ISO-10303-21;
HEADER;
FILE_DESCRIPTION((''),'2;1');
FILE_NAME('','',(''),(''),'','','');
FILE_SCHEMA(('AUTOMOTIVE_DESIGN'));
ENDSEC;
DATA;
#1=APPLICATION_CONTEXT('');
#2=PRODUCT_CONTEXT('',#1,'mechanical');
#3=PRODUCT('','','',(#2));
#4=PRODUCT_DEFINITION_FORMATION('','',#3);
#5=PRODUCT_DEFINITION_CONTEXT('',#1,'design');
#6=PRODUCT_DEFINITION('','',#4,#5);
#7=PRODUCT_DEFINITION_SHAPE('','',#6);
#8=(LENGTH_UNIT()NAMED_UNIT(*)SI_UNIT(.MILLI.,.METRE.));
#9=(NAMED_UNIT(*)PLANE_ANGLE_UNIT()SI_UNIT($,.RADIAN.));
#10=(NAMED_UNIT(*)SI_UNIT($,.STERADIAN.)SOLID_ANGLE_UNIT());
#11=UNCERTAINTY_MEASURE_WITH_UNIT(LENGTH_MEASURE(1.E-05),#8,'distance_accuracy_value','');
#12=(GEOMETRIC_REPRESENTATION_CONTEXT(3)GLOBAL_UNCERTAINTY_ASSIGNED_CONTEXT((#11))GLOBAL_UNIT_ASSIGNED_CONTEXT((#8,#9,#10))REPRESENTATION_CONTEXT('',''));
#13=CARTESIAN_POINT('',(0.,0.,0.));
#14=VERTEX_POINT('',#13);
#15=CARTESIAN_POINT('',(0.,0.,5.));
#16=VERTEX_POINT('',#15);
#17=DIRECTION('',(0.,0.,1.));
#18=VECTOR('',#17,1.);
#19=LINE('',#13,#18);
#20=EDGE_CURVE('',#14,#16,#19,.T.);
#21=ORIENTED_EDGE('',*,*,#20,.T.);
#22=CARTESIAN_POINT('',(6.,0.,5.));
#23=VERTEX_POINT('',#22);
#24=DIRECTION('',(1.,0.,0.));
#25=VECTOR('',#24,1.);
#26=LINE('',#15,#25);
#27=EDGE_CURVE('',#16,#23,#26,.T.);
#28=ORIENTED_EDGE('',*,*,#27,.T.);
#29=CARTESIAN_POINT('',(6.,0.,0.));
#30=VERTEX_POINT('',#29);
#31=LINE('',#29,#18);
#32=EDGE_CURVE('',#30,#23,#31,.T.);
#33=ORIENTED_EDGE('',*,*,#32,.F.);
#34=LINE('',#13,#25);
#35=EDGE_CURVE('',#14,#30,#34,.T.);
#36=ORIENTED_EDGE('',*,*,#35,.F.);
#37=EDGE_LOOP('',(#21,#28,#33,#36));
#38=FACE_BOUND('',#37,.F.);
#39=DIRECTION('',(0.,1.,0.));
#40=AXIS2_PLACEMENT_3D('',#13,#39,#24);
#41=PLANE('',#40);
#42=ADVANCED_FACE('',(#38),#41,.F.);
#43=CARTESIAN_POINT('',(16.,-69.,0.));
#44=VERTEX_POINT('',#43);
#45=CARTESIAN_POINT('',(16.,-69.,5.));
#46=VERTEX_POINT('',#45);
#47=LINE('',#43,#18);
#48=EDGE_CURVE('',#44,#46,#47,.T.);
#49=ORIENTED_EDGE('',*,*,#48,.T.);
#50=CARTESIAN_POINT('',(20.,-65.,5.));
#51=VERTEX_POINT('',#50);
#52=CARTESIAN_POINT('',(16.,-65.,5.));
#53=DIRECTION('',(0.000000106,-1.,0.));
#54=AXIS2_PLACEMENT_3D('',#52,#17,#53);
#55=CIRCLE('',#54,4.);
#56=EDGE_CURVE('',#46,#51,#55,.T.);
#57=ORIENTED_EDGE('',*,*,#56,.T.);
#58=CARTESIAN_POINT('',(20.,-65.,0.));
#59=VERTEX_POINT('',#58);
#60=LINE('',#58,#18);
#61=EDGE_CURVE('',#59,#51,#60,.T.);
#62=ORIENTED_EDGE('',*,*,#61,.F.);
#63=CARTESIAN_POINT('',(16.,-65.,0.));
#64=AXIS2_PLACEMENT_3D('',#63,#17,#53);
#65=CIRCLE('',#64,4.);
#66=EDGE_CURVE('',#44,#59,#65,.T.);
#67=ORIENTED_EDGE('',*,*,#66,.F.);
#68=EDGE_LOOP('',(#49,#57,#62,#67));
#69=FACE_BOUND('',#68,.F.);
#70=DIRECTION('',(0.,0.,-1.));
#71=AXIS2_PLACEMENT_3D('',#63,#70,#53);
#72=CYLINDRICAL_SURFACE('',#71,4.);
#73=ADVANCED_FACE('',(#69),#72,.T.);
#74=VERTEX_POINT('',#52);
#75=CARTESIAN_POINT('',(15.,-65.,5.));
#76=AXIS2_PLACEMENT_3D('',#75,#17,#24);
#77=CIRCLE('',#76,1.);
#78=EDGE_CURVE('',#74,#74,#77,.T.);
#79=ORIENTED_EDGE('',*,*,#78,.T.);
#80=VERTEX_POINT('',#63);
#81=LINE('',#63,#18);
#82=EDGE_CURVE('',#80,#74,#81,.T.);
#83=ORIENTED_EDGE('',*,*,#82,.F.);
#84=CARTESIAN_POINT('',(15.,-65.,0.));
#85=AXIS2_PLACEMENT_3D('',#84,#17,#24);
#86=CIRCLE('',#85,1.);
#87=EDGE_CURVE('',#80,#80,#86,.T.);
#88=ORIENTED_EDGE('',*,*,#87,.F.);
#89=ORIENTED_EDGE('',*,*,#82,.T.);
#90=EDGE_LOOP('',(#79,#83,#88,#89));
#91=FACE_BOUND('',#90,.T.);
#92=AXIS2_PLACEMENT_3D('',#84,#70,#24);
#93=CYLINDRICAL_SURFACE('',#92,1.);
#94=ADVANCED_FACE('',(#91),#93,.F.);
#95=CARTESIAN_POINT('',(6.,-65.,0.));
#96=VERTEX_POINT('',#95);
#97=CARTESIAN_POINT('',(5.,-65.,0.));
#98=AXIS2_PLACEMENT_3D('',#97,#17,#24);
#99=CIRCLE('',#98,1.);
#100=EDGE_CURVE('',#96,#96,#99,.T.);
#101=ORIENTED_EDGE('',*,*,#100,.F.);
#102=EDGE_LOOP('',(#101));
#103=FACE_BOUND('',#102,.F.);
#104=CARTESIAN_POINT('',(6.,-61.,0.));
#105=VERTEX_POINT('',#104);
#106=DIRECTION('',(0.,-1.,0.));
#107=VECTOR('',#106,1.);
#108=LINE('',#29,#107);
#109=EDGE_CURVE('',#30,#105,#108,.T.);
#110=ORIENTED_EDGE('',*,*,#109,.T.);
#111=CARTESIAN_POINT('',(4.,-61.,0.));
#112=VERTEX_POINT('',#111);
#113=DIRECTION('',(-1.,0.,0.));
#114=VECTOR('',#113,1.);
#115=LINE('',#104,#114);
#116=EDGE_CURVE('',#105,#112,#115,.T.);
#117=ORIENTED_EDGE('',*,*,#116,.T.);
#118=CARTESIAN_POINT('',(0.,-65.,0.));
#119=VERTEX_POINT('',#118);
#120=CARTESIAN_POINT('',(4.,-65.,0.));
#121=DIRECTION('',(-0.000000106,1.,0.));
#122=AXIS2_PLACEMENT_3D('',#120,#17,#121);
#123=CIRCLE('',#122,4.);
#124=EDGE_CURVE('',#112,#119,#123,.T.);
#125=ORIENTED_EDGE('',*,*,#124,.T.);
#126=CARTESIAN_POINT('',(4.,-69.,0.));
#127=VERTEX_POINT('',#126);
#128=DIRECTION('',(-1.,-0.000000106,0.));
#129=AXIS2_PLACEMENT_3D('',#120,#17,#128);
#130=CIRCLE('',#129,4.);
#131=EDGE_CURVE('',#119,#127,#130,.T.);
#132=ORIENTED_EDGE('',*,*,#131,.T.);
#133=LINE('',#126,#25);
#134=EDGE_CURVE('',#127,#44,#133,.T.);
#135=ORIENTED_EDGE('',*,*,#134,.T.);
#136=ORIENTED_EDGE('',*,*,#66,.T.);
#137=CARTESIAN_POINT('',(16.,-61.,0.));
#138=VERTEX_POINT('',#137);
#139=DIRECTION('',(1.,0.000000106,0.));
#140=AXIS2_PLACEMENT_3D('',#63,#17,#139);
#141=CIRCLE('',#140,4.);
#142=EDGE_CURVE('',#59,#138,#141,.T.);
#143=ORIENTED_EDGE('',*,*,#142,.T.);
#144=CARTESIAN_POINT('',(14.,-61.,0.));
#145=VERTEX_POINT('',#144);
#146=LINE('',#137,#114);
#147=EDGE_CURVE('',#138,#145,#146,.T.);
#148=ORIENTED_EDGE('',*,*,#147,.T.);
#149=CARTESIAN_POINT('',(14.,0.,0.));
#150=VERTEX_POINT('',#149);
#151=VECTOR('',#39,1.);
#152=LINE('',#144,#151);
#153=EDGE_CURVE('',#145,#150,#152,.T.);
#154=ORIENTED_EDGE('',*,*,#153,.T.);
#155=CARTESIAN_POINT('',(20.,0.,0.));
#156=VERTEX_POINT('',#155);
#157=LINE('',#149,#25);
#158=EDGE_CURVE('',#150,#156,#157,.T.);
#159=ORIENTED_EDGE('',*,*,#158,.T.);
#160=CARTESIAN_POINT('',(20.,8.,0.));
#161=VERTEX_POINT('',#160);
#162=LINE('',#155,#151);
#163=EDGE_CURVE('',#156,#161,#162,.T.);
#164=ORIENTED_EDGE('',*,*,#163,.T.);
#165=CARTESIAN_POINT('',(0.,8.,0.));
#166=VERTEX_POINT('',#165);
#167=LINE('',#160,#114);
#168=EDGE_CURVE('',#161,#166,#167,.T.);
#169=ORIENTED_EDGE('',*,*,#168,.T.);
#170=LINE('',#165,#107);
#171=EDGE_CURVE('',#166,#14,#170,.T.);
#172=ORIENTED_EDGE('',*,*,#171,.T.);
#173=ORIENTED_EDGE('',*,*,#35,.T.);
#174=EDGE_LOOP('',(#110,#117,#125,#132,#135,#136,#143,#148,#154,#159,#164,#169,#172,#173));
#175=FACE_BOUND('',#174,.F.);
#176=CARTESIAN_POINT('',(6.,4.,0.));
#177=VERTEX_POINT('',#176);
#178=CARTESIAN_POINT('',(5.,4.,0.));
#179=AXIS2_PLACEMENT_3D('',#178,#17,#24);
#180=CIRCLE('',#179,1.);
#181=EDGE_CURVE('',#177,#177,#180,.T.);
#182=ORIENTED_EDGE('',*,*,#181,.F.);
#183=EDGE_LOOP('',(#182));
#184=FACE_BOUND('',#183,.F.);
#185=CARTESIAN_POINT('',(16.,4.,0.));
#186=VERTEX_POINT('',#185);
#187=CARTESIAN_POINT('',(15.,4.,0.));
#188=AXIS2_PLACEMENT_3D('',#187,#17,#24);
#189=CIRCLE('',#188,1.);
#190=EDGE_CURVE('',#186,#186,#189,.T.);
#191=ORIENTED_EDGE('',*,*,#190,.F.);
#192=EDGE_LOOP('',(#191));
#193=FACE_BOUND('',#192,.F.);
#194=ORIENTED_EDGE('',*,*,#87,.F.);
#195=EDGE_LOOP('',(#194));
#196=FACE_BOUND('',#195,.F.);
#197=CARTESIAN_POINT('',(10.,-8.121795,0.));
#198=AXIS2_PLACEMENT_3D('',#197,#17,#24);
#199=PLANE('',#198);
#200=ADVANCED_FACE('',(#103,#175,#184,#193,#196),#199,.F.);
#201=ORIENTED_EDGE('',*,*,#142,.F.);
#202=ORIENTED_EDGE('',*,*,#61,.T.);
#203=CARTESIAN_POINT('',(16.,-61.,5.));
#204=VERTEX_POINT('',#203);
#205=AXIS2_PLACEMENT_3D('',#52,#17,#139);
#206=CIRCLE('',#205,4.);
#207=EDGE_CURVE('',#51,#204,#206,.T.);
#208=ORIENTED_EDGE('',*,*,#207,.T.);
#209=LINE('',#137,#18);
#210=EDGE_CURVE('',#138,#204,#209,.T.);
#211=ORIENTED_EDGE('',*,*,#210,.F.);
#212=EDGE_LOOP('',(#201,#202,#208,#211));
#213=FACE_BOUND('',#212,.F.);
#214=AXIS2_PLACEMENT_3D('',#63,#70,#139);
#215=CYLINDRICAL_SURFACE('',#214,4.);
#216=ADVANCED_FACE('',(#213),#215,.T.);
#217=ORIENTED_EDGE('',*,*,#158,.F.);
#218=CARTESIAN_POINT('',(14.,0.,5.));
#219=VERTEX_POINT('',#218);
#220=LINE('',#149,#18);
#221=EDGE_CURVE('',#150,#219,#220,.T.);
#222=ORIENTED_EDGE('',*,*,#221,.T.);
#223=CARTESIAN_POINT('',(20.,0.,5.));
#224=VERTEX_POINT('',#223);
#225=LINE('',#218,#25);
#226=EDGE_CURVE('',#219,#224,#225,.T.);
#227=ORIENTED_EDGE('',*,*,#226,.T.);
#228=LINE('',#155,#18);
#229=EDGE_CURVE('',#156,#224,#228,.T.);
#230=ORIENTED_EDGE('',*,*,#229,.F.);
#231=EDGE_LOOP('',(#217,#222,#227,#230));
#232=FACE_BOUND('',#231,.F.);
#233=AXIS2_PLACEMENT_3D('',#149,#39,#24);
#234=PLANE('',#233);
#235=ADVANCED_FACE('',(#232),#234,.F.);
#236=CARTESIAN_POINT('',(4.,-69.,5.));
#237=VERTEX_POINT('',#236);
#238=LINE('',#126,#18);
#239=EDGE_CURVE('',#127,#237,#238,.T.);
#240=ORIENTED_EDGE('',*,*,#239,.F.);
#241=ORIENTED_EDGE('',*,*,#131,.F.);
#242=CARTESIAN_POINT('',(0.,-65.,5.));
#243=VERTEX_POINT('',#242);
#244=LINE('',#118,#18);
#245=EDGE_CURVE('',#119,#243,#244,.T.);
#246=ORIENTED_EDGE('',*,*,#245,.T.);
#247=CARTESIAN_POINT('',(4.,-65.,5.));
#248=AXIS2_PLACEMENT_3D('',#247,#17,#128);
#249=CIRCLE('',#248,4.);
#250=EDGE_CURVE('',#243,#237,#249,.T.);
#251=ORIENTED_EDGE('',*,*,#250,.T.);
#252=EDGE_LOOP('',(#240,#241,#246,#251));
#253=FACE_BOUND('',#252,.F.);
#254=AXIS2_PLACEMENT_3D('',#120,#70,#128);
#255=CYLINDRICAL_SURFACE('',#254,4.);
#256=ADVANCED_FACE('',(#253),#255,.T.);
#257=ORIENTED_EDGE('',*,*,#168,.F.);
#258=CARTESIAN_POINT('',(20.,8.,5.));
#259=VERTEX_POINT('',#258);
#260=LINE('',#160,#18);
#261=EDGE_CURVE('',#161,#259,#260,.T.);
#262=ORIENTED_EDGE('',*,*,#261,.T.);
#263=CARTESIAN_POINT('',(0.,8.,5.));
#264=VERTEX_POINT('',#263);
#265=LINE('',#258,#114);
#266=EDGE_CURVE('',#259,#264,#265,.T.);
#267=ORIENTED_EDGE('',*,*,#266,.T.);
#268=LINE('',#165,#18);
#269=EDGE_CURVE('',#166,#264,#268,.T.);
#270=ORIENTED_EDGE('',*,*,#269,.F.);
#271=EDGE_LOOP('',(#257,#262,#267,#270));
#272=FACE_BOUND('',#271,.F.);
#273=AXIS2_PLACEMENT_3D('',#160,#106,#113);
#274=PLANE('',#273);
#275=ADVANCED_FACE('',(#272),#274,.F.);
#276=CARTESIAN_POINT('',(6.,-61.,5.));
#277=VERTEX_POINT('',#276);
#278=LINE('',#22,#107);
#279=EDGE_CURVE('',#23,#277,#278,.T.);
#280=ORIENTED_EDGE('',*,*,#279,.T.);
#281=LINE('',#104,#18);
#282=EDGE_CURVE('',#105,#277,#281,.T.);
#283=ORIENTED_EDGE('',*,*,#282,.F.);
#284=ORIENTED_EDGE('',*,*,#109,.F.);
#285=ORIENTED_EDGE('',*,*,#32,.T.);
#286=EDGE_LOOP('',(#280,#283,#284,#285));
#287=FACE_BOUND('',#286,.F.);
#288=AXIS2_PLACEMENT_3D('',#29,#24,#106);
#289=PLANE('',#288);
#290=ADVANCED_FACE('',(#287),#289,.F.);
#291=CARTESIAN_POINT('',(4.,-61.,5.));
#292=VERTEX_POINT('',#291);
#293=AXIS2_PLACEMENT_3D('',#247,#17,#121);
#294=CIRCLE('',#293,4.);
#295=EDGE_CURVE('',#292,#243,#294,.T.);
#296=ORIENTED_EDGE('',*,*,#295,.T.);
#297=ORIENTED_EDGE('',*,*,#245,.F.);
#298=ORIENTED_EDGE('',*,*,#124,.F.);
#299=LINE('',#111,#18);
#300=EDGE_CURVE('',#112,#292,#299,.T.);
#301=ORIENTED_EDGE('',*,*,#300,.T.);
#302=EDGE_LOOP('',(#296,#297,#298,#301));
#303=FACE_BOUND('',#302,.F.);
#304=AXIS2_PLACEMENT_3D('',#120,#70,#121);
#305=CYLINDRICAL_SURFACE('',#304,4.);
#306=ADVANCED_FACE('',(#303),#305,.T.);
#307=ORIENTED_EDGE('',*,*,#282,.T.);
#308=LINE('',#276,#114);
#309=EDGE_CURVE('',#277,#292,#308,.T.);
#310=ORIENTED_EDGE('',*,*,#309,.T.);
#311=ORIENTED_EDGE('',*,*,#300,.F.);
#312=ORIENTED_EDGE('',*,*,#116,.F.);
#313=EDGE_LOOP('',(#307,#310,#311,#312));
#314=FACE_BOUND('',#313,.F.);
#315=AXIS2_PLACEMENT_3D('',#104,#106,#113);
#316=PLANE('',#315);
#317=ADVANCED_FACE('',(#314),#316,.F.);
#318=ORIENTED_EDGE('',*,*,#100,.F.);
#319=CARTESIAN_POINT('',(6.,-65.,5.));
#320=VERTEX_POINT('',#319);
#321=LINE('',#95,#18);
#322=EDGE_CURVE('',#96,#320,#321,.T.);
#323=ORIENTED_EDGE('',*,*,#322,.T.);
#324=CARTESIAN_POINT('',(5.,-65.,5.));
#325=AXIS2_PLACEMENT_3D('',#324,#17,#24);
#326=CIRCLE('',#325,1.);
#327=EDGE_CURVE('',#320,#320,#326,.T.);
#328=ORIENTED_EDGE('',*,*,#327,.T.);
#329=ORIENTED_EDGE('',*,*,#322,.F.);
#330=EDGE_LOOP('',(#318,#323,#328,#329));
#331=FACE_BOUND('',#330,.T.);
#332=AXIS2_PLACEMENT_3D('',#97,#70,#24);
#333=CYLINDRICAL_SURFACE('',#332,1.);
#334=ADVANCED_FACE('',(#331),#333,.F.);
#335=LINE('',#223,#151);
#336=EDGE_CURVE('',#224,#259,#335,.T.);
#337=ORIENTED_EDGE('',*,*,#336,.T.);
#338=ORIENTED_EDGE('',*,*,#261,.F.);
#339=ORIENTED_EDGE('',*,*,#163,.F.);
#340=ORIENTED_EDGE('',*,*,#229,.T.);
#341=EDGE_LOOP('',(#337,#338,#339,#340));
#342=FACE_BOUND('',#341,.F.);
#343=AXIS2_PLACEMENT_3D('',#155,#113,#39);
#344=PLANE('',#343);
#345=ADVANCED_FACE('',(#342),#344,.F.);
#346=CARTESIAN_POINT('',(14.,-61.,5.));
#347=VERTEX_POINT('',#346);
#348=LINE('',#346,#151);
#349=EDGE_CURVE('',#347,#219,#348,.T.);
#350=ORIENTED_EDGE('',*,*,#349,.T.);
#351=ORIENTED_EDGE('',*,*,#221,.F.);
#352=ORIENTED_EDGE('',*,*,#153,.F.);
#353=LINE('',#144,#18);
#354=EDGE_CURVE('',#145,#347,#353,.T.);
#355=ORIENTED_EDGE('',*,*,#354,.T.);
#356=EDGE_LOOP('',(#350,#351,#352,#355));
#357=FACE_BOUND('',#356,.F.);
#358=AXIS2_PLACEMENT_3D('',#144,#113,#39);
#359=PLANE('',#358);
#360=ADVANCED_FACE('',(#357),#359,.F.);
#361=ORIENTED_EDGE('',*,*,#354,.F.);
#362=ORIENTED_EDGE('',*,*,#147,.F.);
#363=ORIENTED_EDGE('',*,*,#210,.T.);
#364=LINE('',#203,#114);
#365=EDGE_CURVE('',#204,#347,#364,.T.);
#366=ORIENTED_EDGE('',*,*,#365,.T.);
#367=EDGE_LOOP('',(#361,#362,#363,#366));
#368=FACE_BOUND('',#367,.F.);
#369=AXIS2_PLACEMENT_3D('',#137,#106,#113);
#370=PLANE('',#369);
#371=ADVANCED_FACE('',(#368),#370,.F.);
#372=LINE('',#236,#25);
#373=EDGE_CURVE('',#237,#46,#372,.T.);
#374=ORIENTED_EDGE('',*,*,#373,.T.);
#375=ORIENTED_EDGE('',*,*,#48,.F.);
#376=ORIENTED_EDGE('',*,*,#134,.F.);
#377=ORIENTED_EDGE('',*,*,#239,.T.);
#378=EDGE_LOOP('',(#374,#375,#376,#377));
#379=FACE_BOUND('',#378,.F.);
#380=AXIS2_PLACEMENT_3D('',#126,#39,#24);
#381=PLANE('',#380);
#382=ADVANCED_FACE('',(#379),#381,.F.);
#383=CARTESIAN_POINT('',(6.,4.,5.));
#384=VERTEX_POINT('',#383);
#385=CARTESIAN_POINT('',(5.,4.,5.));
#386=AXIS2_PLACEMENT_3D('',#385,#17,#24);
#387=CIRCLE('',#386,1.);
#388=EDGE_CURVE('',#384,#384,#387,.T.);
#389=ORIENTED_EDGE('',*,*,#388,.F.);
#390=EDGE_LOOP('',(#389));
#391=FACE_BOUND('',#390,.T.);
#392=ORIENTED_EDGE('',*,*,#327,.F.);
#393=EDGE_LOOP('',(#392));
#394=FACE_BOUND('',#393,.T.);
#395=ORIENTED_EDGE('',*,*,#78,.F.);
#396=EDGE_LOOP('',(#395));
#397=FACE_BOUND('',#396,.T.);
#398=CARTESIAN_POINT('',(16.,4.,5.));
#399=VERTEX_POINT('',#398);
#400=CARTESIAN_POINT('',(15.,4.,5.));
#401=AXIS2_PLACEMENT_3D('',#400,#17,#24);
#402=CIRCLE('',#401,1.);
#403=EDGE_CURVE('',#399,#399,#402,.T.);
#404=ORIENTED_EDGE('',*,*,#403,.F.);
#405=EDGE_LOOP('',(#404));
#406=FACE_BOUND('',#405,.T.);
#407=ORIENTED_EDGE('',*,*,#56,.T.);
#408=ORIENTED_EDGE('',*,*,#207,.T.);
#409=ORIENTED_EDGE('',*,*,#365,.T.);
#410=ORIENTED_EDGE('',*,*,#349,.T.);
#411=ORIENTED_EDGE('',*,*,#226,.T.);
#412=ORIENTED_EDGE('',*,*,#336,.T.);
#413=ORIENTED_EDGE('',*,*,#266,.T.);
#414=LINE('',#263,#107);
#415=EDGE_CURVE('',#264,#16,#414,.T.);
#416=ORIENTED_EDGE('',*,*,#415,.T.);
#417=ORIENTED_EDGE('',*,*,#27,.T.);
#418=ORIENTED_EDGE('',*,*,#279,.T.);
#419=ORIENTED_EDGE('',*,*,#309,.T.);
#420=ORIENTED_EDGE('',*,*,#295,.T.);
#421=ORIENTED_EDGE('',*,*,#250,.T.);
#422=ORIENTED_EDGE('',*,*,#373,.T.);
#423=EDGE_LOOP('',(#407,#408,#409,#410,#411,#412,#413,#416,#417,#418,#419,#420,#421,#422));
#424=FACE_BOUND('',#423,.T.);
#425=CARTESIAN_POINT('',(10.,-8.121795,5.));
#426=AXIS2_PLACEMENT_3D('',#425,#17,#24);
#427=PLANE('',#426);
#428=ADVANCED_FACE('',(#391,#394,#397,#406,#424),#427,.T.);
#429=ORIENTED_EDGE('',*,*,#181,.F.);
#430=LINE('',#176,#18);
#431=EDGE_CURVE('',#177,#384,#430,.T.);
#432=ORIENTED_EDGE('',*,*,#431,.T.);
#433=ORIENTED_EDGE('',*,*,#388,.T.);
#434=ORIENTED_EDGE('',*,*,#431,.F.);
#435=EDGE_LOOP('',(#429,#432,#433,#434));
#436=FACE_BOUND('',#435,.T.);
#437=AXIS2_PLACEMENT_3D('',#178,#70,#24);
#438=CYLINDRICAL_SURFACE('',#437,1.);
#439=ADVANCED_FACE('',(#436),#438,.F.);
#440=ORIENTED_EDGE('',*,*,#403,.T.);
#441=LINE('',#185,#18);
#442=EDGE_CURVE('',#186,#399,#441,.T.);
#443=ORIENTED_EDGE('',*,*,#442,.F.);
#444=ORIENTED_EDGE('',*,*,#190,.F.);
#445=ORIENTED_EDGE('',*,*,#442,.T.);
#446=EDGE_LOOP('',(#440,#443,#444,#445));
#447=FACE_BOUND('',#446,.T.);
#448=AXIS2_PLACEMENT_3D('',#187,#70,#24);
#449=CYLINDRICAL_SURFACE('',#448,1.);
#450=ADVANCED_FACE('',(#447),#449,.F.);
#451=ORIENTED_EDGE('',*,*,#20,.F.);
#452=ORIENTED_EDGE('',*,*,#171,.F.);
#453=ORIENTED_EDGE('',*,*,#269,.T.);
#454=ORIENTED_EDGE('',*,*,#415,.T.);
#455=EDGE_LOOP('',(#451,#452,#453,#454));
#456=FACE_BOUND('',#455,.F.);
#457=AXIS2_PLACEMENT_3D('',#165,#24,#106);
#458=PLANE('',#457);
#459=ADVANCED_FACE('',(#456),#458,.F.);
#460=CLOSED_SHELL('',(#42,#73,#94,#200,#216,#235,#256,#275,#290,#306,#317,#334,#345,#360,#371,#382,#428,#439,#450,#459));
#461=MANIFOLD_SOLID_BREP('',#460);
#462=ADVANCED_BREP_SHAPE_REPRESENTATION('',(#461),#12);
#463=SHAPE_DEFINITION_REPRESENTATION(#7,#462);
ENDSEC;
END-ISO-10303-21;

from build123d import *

# Parameters (mm, degrees)
F0_R     = 1
F1_DEPTH = 5


with BuildPart() as f1:
    # F0 (on Top) → F1 (new body)
    with BuildSketch(Plane.XY):
        Polygon((0, 8), (0, 0), (6, 0), (6, -30.5), (14, -30.5), (14, 0), (20, 0), (20, 8), align=None)
        with Locations((5, 4)):
            Circle(F0_R, mode=Mode.SUBTRACT)
        with Locations((15, 4)):
            Circle(F0_R, mode=Mode.SUBTRACT)
        with BuildLine():
            Line((14, -30.5), (6, -30.5))
            Line((6, -30.5), (6, -61))
            Line((6, -61), (4, -61))
            ThreePointArc((4, -61), (1.171573, -62.171573), (0, -65))
            ThreePointArc((0, -65), (1.171573, -67.828427), (4, -69))
            Line((4, -69), (16, -69))
            ThreePointArc((16, -69), (18.828427, -67.828427), (20, -65))
            ThreePointArc((20, -65), (18.828427, -62.171573), (16, -61))
            Line((16, -61), (14, -61))
            Line((14, -61), (14, -30.5))
        make_face()
        with Locations((5, -65)):
            Circle(F0_R, mode=Mode.SUBTRACT)
        with Locations((15, -65)):
            Circle(F0_R, mode=Mode.SUBTRACT)
    extrude(amount=F1_DEPTH)


solid = f1.part
